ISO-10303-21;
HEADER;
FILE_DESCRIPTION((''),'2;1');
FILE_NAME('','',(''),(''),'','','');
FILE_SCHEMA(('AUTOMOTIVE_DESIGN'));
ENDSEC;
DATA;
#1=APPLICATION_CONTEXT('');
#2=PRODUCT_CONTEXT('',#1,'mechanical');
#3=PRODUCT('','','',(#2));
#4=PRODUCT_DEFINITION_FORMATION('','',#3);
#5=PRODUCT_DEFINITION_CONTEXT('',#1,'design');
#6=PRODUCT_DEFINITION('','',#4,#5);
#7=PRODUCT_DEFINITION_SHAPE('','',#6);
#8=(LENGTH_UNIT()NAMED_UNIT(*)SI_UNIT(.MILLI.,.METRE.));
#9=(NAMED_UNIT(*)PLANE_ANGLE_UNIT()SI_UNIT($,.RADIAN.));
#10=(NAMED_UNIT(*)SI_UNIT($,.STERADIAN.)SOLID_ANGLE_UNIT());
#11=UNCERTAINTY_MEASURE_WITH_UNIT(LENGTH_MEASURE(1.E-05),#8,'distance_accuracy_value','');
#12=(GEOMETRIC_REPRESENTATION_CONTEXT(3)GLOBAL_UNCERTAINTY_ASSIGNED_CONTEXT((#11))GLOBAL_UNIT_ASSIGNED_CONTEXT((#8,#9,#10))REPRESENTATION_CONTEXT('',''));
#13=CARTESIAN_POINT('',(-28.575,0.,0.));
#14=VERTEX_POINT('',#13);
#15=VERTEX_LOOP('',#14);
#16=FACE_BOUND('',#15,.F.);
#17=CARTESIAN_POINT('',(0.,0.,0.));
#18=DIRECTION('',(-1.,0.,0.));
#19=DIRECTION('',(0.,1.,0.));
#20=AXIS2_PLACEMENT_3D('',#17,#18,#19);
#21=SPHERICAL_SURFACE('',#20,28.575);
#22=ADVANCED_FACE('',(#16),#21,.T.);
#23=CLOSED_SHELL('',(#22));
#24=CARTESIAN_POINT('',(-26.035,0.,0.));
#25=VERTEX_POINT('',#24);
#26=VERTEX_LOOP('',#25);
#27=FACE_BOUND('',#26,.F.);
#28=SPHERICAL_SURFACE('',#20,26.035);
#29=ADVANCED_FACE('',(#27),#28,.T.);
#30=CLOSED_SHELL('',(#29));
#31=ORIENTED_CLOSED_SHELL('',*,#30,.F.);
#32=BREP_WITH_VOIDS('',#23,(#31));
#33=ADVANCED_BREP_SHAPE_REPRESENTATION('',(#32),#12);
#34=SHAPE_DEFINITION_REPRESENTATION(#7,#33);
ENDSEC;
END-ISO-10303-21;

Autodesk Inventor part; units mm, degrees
ref_plane "YZ Plane" through (0, 0, 0) normal (1, 0, 0) x (0, 1, 0)
ref_plane "XZ Plane" through (0, 0, 0) normal (0, 1, 0) x (-1, 0, 0)
ref_plane "XY Plane" through (0, 0, 0) normal (0, 0, 1) x (1, 0, 0)
sketch "Sketch2" plane through (0, 0, 0) normal (0, 0, 1) x (1, 0, 0)
  arc A0 (28.575, 0) -> (-28.575, 0) centre (0, 0) ccw
  line L0 (-28.575, 0) -> (-28.575, -70.3192) construction
  line L1 (28.575, 0) -> (28.575, -70.3192) construction
  arc A1 (26.035, 0) -> (-26.035, 0) centre (0, 0) ccw
  line L2 (-28.575, 0) -> (-26.035, 0)
  line L3 (26.035, 0) -> (28.575, 0)
  dimension "d0" = 28.575
  dimension "d3" = 2.54
revolve "Revolution2" add sketch "Sketch2" angle 360 about axis through (-28.575, 0, 0) along (1, 0, 0)
properties part number "Ball" material "Rubber"
